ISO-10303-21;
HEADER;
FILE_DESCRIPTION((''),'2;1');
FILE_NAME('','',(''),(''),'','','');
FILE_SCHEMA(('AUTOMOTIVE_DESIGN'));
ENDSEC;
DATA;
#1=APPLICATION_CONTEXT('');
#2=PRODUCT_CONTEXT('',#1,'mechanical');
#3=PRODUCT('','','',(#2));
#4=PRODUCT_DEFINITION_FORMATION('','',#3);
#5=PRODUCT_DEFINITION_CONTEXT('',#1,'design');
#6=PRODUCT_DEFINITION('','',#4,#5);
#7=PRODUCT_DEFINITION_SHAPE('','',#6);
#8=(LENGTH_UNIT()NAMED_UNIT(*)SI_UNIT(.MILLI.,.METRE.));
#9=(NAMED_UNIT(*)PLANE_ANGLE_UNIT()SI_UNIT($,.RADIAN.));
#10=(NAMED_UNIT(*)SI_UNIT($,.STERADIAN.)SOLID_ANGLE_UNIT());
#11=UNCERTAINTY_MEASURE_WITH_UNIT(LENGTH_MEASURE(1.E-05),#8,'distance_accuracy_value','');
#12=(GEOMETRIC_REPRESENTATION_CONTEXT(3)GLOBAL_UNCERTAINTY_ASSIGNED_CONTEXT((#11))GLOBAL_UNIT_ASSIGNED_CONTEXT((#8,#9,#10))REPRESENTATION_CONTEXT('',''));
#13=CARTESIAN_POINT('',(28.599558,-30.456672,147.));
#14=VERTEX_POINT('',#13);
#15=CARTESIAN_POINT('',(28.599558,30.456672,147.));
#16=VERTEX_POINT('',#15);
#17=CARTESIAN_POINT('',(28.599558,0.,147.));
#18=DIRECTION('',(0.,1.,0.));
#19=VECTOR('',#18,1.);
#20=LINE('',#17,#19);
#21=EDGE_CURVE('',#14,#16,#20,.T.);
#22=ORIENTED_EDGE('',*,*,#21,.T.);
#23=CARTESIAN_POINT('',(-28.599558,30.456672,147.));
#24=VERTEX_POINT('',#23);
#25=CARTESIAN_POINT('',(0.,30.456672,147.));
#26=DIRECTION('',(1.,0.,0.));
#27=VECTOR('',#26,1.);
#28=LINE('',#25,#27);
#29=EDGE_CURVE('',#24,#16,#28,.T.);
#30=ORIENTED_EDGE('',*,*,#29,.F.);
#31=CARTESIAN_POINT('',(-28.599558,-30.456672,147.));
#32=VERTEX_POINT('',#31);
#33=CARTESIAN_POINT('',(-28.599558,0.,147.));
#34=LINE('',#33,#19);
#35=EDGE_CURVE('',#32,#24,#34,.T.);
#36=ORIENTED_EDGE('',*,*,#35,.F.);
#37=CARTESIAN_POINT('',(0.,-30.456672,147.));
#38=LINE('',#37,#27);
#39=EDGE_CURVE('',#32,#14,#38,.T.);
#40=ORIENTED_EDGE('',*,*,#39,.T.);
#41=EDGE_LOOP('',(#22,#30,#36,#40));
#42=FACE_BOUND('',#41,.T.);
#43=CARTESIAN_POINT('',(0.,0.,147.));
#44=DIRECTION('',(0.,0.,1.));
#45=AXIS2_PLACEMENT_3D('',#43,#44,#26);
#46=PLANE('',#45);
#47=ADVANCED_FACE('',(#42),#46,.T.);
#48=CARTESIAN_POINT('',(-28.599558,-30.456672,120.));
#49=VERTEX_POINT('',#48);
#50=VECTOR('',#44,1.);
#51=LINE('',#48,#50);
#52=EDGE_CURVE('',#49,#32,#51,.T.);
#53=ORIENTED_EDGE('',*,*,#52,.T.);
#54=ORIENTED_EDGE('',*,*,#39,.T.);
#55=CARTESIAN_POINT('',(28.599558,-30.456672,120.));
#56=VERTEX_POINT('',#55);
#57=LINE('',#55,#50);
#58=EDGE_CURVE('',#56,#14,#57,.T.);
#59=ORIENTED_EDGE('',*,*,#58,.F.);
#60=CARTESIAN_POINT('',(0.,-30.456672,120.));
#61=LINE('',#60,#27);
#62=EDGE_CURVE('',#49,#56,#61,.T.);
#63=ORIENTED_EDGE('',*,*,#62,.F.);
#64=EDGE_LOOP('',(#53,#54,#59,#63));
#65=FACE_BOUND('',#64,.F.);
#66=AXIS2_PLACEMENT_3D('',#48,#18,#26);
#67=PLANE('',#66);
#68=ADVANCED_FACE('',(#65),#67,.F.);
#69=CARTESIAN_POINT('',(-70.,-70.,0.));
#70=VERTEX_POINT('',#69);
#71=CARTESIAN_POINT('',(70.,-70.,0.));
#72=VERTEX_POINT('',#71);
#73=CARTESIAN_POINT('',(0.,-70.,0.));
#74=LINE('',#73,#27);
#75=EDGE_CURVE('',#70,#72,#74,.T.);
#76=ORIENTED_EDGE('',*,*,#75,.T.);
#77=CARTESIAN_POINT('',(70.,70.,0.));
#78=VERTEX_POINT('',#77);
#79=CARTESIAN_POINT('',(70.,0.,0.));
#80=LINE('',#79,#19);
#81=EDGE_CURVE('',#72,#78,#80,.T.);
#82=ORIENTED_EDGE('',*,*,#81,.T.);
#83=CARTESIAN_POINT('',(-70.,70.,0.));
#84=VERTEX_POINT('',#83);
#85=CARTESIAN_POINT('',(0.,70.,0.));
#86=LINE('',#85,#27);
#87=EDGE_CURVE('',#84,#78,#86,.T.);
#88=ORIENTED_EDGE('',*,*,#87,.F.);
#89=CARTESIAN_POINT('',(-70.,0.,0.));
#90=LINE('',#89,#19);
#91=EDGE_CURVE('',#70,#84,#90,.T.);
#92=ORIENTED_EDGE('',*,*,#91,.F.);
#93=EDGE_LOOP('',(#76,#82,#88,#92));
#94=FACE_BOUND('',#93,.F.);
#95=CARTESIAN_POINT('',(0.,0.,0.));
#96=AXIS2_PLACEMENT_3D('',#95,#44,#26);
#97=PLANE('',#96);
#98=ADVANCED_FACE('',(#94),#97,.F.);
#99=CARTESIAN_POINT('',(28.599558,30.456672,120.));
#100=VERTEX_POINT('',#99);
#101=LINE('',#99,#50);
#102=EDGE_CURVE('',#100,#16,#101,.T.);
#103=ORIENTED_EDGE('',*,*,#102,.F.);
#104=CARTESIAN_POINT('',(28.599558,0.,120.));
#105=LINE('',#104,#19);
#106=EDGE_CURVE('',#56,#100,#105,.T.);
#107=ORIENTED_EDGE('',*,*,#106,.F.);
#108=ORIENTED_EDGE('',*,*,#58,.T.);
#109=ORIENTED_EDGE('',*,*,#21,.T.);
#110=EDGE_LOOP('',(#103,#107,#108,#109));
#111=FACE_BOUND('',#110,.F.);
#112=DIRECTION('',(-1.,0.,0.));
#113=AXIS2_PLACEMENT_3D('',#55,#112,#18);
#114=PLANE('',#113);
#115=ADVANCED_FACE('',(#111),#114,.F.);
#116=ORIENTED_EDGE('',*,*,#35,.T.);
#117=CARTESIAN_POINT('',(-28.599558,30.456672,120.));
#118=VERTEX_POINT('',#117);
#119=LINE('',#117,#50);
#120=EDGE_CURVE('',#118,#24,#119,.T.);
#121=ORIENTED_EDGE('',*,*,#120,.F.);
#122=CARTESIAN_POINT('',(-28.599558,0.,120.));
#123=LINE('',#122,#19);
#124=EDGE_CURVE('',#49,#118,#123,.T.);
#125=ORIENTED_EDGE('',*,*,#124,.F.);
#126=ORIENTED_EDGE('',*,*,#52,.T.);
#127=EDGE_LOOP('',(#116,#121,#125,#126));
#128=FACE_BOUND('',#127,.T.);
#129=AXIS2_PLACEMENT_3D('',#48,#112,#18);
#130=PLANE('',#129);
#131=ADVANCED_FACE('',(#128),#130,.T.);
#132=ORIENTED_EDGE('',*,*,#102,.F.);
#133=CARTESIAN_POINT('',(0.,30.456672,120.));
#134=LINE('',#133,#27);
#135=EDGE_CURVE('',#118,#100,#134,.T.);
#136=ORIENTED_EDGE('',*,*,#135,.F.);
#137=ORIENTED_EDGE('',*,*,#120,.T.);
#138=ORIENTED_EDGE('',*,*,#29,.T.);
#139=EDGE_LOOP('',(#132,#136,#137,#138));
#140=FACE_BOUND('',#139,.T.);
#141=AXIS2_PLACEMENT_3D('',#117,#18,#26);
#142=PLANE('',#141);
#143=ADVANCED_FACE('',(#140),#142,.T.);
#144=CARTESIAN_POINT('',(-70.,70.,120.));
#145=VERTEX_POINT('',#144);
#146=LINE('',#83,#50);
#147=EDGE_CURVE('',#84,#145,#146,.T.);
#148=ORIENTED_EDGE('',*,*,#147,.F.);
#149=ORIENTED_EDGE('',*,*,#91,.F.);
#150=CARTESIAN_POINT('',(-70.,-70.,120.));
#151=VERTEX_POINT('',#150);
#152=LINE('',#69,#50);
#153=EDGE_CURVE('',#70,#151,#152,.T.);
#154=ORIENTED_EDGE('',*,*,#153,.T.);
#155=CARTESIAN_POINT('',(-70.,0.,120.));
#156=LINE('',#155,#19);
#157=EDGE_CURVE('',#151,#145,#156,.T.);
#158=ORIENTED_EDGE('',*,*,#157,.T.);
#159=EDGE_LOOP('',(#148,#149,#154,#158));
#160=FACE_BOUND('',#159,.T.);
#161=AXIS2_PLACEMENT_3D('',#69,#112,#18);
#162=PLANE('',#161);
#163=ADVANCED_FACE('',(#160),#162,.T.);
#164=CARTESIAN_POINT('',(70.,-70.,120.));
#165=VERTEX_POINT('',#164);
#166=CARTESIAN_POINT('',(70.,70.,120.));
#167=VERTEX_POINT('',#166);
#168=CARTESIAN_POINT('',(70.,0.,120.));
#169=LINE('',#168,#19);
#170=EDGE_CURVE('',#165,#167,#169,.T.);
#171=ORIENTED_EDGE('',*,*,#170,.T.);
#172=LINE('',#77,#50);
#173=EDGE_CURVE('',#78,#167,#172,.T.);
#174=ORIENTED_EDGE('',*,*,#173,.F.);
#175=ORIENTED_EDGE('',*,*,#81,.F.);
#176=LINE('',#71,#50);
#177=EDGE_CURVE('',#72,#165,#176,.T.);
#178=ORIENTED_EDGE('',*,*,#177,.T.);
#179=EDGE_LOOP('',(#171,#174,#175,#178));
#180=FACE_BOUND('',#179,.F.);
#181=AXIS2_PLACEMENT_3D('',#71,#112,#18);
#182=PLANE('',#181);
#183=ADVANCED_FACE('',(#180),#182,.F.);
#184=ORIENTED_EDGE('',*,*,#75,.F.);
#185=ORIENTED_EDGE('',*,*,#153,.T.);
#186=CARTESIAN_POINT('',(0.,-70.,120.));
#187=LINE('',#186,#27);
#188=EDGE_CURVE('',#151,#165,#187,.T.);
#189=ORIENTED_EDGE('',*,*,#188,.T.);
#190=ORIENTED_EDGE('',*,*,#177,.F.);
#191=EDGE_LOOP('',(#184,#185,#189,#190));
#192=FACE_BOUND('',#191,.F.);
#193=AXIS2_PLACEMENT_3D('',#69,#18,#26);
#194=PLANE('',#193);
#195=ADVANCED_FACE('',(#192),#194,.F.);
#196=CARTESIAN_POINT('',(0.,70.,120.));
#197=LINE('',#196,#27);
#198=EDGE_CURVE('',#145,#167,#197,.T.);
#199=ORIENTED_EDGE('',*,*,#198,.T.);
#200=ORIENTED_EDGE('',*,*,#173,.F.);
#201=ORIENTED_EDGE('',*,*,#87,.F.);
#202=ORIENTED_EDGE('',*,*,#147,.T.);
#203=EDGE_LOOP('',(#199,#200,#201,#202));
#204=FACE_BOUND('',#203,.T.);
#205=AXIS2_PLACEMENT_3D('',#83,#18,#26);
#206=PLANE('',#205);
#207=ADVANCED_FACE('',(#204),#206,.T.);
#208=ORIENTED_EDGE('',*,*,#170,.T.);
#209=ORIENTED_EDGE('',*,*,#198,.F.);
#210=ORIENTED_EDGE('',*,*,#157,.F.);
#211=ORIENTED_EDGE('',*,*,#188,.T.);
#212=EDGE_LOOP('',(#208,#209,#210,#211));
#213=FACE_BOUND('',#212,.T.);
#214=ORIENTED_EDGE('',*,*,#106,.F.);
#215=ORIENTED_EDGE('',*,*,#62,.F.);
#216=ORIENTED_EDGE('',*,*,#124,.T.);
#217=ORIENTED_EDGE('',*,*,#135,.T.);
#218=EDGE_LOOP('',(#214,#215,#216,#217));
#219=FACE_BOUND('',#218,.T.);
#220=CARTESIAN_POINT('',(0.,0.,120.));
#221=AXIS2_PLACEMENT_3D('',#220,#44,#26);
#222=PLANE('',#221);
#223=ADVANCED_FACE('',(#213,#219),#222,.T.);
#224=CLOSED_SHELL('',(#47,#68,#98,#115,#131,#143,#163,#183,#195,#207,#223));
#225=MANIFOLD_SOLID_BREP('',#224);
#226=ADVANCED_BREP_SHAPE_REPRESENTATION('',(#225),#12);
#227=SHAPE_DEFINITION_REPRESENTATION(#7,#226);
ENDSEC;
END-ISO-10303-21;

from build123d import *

# Parameters (mm, degrees)
SKETCH2_W           = 140
SKETCH2_H           = 140
BOSS_EXTRUDE1_DEPTH = 120
SKETCH3_W           = 57.199115384
SKETCH3_H           = 60.913343656
BOSS_EXTRUDE2_DEPTH = 27


with BuildPart() as part:
    # Sketch2 → Boss-Extrude1 (new body)
    with BuildSketch(Plane.XY):
        Rectangle(SKETCH2_W, SKETCH2_H)
    extrude(amount=BOSS_EXTRUDE1_DEPTH)

    # Sketch3 → Boss-Extrude2 (add)
    with BuildSketch(Plane.XY.offset(120)):
        Rectangle(SKETCH3_W, SKETCH3_H)
    extrude(amount=BOSS_EXTRUDE2_DEPTH)


solid = part.part
